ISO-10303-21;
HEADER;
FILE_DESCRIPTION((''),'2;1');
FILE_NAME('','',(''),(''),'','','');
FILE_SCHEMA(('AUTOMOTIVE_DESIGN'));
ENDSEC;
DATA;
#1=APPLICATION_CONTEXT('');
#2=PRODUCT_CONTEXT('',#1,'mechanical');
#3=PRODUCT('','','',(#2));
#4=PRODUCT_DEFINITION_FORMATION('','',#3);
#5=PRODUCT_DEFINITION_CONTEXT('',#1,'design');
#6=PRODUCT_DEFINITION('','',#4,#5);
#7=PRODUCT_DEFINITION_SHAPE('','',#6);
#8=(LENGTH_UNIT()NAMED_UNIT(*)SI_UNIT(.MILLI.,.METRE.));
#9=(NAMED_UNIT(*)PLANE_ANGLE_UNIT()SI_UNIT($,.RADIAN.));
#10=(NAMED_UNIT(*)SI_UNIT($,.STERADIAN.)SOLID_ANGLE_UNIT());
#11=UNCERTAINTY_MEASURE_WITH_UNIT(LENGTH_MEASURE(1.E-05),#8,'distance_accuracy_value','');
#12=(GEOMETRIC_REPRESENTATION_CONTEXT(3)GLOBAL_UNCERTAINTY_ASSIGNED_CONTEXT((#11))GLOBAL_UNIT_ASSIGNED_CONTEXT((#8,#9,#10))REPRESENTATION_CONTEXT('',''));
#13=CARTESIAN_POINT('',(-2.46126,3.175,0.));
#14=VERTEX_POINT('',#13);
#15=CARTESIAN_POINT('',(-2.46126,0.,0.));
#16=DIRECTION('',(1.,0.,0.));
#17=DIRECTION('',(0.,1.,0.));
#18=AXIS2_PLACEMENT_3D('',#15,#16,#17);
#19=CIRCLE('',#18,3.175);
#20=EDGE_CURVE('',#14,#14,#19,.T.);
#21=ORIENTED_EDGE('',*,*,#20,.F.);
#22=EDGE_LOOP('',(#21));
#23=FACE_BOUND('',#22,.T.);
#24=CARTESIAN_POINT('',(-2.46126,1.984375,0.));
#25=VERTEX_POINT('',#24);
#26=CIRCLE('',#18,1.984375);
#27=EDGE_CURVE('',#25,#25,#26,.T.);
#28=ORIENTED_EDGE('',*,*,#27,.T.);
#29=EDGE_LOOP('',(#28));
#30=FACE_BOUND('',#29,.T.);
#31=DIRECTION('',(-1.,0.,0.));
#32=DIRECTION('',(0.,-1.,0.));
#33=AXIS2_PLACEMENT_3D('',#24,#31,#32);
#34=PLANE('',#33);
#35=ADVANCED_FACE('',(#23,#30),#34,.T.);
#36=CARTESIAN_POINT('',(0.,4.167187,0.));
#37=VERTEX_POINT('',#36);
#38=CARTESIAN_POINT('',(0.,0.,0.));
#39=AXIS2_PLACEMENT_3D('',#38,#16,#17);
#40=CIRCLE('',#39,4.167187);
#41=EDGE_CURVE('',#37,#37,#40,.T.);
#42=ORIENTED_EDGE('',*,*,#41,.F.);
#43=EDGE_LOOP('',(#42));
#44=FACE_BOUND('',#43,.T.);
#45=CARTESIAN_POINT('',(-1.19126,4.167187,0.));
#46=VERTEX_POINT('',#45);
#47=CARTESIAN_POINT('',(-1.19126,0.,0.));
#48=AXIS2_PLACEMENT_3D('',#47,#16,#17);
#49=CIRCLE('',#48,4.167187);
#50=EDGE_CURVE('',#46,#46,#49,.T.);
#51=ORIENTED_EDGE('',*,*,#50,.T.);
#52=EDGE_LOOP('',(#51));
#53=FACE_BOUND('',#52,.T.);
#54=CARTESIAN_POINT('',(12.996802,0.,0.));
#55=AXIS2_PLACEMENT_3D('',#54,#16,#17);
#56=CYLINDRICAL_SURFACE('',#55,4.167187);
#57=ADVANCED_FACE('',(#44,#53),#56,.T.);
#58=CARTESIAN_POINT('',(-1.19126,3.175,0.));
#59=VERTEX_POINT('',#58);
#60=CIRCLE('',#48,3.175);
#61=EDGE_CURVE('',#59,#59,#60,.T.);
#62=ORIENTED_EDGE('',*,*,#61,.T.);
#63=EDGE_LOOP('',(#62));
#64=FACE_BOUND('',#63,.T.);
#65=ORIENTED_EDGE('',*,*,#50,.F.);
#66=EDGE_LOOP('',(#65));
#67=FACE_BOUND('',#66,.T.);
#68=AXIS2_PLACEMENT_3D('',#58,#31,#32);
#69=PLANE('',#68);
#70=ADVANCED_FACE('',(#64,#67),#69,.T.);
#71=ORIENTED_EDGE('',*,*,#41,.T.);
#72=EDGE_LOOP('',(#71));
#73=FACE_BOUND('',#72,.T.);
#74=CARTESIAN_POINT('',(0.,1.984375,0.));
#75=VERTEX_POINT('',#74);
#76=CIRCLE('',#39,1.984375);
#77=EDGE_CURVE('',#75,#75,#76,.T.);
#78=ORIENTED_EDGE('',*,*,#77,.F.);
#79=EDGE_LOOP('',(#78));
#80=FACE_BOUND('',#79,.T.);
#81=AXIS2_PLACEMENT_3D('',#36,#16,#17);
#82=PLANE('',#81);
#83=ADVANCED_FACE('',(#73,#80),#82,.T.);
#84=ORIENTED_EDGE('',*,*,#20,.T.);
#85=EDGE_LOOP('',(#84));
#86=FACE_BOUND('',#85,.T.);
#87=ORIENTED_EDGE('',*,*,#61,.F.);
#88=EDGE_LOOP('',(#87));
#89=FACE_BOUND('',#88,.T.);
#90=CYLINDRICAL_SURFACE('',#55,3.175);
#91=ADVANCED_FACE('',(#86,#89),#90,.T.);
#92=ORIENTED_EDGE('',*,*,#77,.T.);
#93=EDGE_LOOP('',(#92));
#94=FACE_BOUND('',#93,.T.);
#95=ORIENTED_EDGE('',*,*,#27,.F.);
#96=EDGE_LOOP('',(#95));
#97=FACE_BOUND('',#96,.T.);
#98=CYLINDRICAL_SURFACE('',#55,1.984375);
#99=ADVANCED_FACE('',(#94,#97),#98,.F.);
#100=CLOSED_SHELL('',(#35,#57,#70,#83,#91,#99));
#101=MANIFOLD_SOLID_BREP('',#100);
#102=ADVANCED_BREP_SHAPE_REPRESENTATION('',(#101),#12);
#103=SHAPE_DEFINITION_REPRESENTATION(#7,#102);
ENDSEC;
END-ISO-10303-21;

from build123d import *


with BuildPart() as part:
    # Sketch1 → Revolve1 (revolve)
    with BuildSketch(Plane.XY):
        Polygon((-2.46126, 3.175), (-1.19126, 3.175), (-1.19126, 4.1671875), (0, 4.1671875), (0, 1.984375), (-2.46126, 1.984375), align=None)
    revolve(axis=Axis((12.996802453, 0, 0), (-1, 0, 0)))


solid = part.part
